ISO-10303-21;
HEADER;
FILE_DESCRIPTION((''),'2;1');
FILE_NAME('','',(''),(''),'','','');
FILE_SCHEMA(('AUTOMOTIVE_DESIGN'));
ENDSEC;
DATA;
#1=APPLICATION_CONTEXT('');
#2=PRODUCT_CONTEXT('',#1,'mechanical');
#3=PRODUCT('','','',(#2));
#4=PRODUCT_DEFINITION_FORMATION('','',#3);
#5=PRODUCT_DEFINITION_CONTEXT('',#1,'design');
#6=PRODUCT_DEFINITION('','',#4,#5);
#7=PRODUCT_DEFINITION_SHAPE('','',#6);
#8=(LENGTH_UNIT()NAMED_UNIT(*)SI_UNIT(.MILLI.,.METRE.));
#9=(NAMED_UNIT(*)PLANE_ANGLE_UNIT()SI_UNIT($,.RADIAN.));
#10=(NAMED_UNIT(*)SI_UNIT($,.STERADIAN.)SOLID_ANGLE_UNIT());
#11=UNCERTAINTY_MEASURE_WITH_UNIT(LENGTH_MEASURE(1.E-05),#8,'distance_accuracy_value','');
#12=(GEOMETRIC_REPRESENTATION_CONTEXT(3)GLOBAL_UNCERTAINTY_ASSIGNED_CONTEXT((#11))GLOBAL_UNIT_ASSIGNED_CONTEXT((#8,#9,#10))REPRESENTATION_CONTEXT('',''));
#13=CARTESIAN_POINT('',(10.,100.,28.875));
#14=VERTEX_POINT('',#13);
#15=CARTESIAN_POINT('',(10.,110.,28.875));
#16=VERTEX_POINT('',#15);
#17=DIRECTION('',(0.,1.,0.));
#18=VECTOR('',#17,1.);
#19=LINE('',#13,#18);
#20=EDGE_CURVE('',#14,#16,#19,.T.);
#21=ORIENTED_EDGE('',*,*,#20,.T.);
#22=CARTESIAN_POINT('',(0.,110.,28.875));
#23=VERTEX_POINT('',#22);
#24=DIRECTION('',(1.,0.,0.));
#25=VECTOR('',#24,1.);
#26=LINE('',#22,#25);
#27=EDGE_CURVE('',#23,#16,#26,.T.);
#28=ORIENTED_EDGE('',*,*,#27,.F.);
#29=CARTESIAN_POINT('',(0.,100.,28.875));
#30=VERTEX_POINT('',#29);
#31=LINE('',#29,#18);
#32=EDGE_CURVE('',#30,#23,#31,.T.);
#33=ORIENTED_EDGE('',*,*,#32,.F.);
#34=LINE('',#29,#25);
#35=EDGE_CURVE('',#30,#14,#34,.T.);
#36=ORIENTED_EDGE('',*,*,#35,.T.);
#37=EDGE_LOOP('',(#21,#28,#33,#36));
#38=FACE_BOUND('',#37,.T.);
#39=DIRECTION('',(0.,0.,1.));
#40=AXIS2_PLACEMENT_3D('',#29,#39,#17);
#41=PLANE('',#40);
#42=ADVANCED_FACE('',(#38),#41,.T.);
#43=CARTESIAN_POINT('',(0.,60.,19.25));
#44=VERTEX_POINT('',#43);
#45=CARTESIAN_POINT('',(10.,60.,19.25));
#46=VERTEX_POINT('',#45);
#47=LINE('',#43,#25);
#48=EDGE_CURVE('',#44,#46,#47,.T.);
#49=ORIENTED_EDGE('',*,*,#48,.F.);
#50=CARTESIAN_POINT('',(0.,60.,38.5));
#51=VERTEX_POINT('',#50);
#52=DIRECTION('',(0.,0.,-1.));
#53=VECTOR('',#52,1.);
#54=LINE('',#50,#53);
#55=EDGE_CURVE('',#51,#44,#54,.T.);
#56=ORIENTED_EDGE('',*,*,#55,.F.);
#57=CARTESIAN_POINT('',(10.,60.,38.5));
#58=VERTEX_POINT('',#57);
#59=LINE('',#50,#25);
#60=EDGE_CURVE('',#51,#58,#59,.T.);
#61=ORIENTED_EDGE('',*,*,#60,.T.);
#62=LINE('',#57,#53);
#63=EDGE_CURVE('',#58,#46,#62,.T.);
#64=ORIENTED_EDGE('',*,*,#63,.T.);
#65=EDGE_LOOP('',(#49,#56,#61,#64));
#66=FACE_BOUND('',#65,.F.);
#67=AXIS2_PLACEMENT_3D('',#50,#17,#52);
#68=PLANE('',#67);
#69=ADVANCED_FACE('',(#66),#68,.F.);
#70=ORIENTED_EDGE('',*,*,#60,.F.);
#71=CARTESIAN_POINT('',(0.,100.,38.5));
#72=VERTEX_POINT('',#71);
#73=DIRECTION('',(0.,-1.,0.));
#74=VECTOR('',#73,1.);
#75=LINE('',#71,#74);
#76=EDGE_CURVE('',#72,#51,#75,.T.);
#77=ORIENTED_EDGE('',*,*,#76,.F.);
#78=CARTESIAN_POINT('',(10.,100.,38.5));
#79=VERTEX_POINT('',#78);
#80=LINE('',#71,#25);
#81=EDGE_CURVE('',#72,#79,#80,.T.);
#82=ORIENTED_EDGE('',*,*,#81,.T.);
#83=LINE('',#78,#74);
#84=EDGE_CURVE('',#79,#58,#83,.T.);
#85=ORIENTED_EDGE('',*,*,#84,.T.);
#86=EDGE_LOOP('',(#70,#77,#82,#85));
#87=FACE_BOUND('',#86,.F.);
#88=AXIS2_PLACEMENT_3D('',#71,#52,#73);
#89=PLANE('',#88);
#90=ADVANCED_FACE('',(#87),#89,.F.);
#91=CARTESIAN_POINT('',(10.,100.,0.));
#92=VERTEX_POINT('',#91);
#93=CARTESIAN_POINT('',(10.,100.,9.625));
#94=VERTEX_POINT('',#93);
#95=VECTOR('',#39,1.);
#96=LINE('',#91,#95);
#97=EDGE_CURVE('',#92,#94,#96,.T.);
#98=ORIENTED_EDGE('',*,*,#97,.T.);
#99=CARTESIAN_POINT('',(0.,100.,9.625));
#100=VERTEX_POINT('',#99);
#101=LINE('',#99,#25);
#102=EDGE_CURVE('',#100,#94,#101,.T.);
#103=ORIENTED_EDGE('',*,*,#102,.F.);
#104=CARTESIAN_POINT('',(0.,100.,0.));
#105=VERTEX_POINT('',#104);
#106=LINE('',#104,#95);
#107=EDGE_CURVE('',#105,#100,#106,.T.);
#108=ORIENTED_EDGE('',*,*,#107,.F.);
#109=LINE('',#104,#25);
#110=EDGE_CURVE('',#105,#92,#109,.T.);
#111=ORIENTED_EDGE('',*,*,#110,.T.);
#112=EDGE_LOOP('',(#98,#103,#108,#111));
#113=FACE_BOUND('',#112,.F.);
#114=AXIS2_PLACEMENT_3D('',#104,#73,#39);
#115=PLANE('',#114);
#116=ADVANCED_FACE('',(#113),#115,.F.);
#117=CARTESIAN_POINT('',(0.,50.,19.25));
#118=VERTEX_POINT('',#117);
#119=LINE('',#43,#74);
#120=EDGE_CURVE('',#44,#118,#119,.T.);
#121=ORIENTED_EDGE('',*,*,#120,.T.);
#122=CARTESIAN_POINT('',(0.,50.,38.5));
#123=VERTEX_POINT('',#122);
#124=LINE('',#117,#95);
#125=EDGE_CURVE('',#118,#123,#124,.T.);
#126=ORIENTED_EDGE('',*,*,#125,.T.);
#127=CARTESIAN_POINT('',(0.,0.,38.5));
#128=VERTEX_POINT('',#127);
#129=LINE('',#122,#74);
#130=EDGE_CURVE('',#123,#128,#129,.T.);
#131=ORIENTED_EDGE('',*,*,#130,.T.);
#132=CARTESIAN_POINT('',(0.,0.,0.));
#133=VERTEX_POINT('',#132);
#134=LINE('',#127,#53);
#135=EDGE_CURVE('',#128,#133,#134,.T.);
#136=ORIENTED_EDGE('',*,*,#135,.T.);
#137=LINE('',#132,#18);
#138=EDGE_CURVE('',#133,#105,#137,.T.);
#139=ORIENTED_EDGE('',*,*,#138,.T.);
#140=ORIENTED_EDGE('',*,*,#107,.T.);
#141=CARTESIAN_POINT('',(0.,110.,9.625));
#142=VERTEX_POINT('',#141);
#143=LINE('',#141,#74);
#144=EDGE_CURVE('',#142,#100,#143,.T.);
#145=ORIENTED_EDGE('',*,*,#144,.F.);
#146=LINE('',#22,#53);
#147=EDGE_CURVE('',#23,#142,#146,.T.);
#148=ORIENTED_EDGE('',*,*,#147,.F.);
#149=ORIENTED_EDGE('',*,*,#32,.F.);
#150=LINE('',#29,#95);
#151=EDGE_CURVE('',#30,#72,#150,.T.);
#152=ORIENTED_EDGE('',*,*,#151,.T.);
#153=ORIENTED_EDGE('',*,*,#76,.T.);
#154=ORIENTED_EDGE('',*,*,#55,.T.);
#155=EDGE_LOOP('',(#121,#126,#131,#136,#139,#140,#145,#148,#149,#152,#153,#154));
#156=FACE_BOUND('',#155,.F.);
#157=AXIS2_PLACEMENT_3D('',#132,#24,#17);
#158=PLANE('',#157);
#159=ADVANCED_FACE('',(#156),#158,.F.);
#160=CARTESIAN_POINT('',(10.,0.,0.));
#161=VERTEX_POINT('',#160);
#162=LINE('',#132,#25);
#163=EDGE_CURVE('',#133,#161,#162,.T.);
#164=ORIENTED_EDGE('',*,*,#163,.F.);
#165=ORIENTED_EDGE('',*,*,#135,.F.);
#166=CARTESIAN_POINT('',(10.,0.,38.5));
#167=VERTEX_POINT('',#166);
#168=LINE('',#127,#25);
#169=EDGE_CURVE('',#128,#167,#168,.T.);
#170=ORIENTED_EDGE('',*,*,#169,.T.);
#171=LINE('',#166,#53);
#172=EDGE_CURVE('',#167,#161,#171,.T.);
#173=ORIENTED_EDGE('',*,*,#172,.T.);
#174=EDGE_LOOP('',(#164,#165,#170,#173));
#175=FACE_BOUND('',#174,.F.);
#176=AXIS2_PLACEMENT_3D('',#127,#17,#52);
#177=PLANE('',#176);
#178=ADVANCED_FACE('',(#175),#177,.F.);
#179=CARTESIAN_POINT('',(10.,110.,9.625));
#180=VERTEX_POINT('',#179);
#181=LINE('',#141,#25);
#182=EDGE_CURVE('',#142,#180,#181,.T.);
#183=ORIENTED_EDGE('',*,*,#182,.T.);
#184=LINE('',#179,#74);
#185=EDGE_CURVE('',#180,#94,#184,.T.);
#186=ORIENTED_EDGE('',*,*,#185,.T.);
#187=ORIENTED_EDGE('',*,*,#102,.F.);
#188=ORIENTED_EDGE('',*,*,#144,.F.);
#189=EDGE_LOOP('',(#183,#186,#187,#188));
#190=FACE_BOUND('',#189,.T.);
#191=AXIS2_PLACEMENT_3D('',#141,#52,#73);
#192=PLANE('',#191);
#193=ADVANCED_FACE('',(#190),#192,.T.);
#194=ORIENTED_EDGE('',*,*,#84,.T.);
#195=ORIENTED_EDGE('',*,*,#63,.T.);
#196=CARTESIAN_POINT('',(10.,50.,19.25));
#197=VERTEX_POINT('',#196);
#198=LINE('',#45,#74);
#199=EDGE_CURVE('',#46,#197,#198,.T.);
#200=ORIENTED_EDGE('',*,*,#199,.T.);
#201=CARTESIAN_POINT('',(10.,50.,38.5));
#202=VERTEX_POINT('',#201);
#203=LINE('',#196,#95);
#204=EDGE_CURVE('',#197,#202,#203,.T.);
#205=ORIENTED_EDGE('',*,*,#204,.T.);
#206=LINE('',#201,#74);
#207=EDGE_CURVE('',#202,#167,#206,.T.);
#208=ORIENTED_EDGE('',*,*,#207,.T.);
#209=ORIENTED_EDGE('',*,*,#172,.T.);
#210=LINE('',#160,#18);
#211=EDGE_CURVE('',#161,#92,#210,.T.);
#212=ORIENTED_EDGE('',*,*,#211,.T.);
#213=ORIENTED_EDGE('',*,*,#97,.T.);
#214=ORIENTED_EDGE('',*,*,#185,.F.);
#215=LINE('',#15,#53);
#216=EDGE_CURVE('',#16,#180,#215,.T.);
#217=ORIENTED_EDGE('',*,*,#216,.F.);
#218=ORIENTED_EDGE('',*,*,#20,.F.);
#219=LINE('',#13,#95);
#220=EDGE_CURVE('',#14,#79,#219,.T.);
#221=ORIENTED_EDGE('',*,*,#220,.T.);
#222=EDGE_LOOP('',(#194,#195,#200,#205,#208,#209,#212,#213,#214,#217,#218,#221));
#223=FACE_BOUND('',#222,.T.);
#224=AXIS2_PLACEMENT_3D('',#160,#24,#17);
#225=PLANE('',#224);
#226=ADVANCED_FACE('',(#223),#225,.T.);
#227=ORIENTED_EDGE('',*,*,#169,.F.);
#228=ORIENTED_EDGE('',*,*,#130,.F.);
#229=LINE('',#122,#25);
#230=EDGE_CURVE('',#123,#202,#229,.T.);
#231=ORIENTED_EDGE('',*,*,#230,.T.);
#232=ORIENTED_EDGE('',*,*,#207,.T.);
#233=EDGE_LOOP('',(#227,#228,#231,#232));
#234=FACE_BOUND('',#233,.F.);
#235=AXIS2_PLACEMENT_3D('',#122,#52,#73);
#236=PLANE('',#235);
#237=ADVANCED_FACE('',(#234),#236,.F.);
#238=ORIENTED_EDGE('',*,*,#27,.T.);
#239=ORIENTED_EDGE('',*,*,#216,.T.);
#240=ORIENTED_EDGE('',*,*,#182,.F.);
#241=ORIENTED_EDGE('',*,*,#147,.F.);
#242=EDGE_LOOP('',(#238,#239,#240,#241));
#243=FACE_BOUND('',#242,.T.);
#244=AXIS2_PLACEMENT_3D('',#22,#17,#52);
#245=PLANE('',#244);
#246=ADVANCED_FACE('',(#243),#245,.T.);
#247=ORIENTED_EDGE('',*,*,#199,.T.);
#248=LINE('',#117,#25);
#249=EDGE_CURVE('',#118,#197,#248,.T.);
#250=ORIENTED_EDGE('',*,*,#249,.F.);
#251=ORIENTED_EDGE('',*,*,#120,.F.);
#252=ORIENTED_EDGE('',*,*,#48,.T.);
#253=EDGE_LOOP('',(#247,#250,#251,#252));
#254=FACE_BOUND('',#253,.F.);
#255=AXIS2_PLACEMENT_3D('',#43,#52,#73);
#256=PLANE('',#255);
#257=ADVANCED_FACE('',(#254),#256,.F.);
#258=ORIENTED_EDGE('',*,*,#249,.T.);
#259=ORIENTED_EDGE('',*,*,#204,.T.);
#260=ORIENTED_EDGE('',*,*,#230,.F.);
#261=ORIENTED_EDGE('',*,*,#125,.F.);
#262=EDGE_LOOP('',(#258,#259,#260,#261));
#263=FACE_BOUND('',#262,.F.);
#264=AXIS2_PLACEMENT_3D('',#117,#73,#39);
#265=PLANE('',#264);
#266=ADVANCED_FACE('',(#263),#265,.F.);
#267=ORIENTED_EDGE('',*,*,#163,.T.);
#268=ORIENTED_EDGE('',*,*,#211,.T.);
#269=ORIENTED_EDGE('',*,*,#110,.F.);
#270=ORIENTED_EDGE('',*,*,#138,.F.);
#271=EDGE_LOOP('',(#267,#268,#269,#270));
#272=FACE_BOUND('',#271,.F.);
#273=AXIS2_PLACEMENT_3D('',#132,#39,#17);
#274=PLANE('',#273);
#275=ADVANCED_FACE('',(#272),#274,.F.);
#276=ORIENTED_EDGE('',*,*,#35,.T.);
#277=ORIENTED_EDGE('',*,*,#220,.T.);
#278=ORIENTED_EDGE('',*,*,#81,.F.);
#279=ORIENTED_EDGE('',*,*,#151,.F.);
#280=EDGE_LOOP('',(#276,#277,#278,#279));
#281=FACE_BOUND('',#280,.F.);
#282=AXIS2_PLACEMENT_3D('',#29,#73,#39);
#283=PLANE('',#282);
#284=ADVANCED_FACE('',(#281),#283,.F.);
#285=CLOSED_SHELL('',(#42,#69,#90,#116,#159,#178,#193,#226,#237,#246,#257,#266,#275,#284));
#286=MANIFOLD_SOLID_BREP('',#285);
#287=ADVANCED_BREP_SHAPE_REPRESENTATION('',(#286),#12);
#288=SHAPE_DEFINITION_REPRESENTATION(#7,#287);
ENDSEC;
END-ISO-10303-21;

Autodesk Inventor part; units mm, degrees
ref_plane "YZ Plane" through (0, 0, 0) normal (1, 0, 0) x (0, 1, 0)
ref_plane "XZ Plane" through (0, 0, 0) normal (0, 1, 0) x (-1, 0, 0)
ref_plane "XY Plane" through (0, 0, 0) normal (0, 0, 1) x (1, 0, 0)
sketch "Skizze1" plane through (0, 0, 0) normal (1, 0, 0) x (0, 1, 0)
  line L0 (0, 0) -> (100, 0)
  line L1 (0, 38.5) -> (0, 0)
  line L2 (100, 28.875) -> (110, 28.875)
  line L3 (110, 28.875) -> (110, 9.625)
  line L4 (110, 9.625) -> (100, 9.625)
  line L5 (100, 0) -> (100, 9.625)
  line L6 (100, 28.875) -> (100, 38.5)
  line L7 (60, 38.5) -> (60, 19.25)
  line L8 (60, 19.25) -> (50, 19.25)
  line L9 (50, 19.25) -> (50, 38.5)
  line L10 (100, 38.5) -> (60, 38.5)
  line L11 (50, 38.5) -> (0, 38.5)
  dimension "d0" = 100
  dimension "d1" = 38.5
  dimension "d2" = 10
  dimension "d3" = 19.25
  dimension "d5" = 10
  dimension "d6" = 19.25
  dimension "d7" = 50
extrude "Extrusion1" add sketch "Skizze1" along normal blind 10
properties part number "HalterungServoHochSeitlich2"
